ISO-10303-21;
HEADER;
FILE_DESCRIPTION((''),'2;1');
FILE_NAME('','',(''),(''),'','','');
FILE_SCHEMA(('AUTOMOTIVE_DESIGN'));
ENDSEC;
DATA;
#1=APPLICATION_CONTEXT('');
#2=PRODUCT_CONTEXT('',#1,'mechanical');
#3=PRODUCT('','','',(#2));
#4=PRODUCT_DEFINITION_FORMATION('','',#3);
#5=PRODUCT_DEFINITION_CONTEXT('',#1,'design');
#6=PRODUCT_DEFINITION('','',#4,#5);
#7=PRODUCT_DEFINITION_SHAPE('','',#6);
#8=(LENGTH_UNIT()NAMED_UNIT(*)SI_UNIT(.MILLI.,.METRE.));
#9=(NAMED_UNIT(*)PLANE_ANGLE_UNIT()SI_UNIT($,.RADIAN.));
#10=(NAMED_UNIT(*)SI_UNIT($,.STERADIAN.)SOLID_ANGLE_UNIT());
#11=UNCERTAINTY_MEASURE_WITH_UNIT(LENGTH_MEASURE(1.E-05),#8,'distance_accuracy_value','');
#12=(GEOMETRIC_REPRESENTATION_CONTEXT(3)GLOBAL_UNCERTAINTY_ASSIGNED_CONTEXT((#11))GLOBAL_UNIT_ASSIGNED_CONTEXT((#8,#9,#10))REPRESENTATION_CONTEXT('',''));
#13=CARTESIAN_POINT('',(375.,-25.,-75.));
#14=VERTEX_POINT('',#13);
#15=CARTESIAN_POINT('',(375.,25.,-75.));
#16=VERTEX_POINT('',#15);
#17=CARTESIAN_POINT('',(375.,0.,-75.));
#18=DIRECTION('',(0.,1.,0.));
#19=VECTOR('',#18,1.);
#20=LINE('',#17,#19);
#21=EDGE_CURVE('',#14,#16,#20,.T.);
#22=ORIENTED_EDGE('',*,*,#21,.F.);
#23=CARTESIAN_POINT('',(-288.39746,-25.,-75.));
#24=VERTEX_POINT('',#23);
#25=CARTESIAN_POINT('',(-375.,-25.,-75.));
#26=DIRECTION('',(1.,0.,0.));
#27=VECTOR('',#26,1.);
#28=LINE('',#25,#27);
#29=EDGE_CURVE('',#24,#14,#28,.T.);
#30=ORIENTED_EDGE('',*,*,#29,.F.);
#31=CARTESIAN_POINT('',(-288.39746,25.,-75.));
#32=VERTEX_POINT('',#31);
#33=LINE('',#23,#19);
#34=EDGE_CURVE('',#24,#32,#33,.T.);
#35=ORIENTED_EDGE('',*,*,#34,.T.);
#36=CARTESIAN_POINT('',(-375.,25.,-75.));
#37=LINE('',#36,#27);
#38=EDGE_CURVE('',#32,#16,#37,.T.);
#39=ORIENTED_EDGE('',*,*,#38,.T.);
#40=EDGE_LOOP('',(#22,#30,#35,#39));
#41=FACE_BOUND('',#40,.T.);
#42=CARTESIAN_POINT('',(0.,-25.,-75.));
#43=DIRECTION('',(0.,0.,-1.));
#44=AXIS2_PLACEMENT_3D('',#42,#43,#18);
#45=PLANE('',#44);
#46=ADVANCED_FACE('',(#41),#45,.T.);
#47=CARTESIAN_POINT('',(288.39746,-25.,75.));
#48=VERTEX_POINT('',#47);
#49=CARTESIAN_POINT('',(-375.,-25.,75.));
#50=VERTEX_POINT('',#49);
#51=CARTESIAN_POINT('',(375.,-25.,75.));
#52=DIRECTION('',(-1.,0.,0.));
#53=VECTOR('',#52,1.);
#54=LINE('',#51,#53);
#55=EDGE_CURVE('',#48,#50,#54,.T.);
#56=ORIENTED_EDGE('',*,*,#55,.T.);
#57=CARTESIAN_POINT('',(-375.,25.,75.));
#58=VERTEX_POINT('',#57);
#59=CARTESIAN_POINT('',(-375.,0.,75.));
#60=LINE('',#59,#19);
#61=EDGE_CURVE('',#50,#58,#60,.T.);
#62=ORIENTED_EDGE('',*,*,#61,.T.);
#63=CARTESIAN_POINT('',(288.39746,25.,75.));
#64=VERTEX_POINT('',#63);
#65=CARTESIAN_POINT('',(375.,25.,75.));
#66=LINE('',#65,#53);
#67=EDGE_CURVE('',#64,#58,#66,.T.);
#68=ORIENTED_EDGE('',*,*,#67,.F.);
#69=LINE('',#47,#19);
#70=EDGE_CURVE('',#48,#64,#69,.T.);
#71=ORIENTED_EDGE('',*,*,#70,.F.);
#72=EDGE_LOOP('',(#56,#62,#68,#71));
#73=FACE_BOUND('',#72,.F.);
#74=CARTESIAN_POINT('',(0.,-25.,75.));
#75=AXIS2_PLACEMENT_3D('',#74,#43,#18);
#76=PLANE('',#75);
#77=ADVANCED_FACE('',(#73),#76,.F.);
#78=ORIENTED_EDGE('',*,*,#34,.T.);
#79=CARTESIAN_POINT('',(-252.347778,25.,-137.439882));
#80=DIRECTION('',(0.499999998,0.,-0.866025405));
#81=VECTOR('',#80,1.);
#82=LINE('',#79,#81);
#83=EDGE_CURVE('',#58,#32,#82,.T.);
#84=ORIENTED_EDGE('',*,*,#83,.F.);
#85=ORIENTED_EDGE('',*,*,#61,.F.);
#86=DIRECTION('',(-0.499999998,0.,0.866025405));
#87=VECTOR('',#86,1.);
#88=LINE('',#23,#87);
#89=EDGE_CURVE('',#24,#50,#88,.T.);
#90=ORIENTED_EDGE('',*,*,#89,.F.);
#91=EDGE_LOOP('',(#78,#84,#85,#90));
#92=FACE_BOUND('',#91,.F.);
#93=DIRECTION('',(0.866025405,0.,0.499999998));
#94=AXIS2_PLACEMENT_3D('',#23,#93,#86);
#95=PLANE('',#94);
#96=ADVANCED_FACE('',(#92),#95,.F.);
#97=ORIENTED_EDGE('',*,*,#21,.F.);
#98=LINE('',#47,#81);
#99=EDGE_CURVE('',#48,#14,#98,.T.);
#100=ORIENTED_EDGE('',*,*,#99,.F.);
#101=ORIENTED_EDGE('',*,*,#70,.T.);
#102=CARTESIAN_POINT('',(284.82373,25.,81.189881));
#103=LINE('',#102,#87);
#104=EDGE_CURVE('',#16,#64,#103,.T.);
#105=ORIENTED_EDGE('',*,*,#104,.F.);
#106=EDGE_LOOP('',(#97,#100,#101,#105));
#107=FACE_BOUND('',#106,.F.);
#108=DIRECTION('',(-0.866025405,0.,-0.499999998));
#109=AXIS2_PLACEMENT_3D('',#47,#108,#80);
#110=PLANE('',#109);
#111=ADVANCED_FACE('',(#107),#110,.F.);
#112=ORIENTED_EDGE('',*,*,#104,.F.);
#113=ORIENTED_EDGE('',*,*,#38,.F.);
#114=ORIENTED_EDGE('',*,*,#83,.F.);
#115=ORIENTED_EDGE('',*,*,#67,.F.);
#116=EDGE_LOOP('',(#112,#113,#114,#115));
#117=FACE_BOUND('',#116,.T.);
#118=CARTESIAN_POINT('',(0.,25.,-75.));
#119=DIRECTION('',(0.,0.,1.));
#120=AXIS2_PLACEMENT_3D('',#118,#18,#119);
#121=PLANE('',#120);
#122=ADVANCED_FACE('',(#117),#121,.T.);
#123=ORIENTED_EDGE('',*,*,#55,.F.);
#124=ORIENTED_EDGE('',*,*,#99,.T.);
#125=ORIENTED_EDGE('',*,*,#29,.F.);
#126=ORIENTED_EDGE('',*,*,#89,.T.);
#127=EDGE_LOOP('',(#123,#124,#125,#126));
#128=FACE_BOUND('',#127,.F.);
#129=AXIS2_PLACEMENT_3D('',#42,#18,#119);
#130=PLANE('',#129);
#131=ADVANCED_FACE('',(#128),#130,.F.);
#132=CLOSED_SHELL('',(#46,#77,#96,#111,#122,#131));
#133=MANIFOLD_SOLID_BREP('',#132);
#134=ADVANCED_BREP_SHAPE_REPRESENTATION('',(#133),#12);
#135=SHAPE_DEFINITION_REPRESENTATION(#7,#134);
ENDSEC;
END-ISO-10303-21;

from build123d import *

# Parameters (mm, degrees)
F0_W     = 50
F0_H     = 150
F1_DEPTH = 375
F3_DEPTH = 50.001


with BuildPart() as f1:
    # F0 (on Right) → F1 (new body, symmetric)
    with BuildSketch(Plane.YZ):
        Rectangle(F0_W, F0_H)
    extrude(amount=F1_DEPTH, both=True)

    # F2 (on face) → F3 (cut, through all)
    with BuildSketch(Plane.XZ.offset(25)):
        Polygon((-288.39746, -75), (-375, 75), (-375, -75), align=None)
        Polygon((288.39746, 75), (375, -75), (375, 75), align=None)
    extrude(amount=-F3_DEPTH, mode=Mode.SUBTRACT)


solid = f1.part
